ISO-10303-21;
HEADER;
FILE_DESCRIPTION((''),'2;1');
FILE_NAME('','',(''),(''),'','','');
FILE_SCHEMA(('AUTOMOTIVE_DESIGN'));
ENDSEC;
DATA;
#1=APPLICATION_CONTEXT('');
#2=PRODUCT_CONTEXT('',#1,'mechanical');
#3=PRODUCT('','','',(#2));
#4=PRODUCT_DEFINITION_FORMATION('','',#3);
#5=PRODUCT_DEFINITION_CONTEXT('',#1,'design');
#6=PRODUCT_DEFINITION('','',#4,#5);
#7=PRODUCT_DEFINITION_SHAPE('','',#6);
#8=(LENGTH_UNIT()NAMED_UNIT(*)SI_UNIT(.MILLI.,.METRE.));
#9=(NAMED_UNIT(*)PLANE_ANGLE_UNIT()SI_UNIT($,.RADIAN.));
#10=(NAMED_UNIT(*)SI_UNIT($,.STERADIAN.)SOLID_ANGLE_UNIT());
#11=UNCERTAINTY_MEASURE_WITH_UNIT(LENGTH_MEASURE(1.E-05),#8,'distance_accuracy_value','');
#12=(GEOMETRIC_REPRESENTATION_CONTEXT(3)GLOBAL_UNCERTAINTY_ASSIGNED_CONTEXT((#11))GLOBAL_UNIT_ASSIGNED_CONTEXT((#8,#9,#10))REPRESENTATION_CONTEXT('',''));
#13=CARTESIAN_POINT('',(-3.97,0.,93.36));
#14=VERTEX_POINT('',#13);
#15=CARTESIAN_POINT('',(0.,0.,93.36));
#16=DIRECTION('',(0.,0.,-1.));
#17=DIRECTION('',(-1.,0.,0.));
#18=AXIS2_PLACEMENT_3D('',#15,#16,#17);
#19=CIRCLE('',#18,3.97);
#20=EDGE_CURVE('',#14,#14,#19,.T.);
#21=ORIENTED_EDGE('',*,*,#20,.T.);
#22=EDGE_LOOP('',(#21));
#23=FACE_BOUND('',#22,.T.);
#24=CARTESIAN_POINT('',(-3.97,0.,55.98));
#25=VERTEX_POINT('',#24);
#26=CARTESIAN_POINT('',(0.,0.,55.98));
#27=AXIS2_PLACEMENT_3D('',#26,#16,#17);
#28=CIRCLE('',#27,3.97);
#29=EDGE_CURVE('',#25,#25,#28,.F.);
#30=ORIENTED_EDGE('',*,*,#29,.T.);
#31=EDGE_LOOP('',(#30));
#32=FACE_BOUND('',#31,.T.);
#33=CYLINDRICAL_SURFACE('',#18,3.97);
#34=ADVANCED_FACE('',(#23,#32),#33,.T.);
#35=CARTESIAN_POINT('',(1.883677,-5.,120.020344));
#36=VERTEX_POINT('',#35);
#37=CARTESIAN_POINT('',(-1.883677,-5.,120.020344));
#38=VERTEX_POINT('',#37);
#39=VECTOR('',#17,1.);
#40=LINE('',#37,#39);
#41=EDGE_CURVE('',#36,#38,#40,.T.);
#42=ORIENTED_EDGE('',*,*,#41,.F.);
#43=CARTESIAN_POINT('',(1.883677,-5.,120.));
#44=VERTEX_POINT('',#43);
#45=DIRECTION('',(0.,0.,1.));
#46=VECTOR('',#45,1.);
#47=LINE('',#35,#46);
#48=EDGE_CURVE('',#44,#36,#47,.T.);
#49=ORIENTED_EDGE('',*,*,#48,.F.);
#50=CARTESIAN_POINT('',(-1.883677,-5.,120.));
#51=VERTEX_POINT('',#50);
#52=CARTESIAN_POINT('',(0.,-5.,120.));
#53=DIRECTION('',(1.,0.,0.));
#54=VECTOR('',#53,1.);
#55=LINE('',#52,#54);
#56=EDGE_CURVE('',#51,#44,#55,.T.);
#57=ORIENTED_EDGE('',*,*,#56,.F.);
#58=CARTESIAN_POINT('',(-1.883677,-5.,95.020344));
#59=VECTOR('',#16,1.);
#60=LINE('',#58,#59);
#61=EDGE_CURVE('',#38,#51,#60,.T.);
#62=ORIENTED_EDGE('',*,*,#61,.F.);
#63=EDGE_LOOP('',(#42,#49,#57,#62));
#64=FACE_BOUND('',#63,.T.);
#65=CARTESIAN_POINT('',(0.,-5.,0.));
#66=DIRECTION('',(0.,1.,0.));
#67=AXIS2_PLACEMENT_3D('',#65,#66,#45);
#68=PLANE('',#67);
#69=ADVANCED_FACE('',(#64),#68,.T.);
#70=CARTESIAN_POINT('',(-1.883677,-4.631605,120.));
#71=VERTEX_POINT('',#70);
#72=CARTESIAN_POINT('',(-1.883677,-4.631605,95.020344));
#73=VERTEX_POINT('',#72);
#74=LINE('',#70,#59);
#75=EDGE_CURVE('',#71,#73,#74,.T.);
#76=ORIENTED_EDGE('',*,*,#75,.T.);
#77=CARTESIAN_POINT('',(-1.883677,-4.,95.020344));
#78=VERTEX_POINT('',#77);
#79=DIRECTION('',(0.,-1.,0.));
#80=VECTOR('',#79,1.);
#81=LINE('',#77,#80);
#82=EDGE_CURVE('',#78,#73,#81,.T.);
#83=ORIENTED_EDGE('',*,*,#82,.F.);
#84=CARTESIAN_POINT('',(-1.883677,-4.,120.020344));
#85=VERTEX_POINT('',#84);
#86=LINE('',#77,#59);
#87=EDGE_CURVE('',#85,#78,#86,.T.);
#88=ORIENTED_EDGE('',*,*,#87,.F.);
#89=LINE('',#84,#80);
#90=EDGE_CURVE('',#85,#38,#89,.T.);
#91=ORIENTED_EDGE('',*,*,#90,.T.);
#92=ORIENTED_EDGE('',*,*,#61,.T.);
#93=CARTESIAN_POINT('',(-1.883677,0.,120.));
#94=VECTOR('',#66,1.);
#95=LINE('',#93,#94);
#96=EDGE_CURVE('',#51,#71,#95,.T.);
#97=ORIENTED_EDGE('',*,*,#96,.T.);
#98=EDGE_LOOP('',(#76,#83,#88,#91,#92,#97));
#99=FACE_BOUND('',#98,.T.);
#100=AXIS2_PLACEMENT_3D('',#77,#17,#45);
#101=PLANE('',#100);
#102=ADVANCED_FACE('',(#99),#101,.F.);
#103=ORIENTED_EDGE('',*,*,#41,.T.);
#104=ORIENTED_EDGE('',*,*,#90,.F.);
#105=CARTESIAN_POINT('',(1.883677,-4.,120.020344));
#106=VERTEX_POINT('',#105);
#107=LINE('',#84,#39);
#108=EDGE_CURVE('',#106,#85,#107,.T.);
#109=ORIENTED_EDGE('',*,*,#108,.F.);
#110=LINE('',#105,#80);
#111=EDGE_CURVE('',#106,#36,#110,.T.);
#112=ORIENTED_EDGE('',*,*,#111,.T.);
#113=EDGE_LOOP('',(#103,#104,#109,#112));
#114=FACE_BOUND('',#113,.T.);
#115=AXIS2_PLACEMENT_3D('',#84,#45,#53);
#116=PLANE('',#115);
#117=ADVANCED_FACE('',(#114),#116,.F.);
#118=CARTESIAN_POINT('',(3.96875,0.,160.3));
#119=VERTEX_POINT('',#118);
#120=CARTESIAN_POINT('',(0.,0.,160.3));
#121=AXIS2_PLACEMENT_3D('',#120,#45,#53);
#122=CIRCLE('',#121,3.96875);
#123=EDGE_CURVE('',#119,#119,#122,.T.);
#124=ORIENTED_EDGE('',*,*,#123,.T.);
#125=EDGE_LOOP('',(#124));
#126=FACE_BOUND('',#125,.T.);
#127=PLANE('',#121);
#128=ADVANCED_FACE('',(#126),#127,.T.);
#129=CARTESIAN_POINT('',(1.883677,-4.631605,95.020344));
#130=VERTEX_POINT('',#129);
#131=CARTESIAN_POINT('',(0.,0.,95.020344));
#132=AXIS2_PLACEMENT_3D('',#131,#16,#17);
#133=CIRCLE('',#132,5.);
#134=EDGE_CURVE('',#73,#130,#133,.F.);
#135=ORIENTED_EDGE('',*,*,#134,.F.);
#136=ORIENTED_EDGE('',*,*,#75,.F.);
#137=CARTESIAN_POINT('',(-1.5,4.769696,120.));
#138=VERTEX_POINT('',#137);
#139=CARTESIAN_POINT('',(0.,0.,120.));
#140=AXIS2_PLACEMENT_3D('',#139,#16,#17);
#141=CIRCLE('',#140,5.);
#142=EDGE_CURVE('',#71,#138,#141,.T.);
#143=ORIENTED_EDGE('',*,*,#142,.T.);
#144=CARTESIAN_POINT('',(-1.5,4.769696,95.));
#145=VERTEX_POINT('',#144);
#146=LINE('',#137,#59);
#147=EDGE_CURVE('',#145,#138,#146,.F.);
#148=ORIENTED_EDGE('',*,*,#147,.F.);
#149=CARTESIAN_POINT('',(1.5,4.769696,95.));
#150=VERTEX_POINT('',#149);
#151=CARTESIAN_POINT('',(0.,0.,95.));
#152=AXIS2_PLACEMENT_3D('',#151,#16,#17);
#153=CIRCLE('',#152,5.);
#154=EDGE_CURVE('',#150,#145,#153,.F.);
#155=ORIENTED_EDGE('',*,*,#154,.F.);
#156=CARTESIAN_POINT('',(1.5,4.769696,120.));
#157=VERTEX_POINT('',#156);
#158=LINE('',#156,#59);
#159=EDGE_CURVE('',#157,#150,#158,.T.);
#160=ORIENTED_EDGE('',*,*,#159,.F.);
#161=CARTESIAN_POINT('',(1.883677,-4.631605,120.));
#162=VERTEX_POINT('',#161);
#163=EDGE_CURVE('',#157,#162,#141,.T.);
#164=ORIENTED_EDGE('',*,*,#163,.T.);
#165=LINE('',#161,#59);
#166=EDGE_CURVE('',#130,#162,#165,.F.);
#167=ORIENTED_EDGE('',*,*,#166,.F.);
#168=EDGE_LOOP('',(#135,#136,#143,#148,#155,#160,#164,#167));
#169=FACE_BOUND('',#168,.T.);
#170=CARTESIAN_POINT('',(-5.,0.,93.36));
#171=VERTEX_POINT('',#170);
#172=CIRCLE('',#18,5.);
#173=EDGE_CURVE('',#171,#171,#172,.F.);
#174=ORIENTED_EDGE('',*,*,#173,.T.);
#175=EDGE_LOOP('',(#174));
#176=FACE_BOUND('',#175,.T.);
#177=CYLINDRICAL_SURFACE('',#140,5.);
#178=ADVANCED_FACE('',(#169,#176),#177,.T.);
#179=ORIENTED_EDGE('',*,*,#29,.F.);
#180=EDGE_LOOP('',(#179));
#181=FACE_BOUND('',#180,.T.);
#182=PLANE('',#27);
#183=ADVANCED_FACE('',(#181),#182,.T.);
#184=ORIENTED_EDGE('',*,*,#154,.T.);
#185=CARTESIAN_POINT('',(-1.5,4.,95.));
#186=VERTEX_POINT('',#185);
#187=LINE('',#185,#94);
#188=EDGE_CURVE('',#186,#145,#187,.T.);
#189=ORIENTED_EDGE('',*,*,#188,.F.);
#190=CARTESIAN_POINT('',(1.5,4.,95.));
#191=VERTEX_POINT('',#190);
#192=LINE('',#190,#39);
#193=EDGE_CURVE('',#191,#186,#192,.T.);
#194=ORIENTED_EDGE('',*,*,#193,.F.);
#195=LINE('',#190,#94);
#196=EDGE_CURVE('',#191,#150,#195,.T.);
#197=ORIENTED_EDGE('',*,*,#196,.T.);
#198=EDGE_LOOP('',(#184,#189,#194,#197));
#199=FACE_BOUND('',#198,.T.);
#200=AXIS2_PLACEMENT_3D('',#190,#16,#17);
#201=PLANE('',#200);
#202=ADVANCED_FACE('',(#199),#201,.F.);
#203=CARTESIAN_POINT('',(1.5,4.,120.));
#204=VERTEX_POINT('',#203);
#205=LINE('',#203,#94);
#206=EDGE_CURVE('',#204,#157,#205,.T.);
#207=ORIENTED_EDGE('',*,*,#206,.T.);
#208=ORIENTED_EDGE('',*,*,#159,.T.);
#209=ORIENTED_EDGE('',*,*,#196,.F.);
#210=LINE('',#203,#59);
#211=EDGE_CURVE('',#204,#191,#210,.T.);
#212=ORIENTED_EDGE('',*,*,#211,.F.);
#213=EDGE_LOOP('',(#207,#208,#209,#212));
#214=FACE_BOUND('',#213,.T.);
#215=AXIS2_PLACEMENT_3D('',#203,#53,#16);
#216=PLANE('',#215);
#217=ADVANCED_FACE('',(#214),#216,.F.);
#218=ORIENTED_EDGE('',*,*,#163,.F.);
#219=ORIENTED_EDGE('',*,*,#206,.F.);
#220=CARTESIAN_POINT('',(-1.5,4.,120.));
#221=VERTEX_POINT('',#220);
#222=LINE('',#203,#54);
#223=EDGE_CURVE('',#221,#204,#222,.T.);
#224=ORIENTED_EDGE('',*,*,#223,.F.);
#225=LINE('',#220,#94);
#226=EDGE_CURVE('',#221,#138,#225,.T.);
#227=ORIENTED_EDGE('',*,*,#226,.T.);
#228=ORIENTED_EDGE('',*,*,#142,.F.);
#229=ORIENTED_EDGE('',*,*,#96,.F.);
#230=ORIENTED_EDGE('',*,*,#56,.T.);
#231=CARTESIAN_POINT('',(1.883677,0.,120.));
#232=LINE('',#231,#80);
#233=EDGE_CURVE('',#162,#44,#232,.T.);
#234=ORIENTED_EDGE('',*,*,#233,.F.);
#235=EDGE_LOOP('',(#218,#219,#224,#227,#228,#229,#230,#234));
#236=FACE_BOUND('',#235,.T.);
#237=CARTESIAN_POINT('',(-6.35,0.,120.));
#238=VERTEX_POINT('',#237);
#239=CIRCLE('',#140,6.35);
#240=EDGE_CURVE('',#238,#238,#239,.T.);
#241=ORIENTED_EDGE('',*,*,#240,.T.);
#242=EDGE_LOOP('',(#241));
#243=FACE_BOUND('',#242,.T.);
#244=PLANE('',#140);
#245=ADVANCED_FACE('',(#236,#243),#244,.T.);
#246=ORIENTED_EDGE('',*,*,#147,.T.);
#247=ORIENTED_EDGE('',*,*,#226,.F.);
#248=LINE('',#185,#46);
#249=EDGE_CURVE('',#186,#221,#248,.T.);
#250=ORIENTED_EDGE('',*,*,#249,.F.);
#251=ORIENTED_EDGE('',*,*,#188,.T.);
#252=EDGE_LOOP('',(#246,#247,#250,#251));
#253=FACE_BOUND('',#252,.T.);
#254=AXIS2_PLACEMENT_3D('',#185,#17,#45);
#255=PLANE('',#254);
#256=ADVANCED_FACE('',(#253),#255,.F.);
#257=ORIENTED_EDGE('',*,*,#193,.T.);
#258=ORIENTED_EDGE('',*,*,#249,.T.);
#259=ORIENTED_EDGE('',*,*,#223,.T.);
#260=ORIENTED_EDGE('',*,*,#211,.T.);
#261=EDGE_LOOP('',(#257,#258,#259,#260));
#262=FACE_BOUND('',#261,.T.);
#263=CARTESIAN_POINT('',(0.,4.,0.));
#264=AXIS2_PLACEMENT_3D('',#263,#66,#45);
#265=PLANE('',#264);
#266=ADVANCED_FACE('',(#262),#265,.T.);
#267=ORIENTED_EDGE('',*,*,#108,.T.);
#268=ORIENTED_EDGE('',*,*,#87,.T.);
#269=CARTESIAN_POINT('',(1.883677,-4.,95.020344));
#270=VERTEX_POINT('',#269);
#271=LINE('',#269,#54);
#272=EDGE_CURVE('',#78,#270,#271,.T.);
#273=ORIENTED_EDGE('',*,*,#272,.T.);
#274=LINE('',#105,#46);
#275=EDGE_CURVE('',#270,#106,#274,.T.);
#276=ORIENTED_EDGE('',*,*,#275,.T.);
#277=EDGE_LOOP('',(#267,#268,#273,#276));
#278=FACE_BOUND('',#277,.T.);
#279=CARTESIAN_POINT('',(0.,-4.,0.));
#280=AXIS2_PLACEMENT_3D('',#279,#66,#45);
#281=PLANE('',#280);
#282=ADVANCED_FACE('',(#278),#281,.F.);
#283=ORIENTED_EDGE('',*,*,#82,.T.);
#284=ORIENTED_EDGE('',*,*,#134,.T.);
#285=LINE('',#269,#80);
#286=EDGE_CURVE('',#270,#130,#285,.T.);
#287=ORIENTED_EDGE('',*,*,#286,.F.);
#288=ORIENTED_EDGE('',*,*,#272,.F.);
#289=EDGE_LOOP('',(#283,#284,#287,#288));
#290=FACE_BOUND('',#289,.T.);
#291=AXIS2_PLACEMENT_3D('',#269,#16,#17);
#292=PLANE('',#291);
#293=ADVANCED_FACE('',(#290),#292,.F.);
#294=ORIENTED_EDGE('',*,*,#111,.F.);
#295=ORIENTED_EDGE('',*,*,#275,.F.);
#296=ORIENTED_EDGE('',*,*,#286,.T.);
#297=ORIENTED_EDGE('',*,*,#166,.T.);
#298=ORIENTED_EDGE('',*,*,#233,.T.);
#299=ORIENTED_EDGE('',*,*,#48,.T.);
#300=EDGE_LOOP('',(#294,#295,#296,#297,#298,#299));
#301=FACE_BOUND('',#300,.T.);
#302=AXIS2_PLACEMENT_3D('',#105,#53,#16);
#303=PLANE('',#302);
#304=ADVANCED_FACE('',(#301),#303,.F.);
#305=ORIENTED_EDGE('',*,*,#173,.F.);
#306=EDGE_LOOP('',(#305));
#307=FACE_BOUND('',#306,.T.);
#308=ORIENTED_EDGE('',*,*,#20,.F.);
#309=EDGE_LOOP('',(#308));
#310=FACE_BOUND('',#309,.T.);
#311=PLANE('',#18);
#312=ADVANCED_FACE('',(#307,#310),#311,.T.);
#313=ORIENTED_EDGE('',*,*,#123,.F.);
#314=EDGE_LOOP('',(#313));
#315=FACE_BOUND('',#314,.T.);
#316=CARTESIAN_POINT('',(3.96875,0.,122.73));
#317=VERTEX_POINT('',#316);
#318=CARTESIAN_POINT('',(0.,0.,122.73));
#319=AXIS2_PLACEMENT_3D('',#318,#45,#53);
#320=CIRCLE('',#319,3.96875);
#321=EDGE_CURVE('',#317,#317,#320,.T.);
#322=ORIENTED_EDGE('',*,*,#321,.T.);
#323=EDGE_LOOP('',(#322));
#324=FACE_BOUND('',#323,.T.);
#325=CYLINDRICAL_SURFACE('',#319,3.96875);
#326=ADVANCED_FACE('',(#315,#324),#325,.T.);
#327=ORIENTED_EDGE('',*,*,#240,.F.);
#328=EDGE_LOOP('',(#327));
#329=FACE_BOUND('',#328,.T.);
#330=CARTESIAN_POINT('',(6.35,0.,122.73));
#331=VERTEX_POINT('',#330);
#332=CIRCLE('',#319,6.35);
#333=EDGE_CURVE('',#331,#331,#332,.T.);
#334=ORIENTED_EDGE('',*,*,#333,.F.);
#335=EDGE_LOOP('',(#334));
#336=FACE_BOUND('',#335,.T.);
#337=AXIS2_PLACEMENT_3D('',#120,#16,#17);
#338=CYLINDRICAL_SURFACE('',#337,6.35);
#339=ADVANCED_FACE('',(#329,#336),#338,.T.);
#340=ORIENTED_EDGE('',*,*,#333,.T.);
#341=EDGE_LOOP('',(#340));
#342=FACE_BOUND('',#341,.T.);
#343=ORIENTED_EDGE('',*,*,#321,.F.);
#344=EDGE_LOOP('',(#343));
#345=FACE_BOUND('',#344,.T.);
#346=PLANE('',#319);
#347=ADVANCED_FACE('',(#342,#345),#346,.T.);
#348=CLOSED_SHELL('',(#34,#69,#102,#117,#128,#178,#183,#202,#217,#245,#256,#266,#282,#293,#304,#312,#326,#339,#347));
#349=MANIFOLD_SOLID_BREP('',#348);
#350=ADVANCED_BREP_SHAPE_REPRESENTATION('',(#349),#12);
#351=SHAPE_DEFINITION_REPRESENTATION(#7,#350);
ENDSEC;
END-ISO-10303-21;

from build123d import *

# Parameters (mm, degrees)
SKETCH1_R           = 6.35
BOSS_EXTRUDE1_DEPTH = 160.3
SKETCH3_OUTSIDE_W   = 46.96
SKETCH3_OUTSIDE_H   = 46.96
SKETCH3_OUTSIDE_R   = 5
CUT_EXTRUDE2_DEPTH  = 120
SKETCH4_OUTSIDE_W   = 46.96
SKETCH4_OUTSIDE_H   = 46.96
SKETCH4_OUTSIDE_R   = 3.96875
CUT_EXTRUDE3_DEPTH  = 37.57
SKETCH5_OUTSIDE_W   = 46.96
SKETCH5_OUTSIDE_H   = 46.96
SKETCH5_OUTSIDE_R   = 3.97
CUT_EXTRUDE4_DEPTH  = 93.36
SKETCH9_W           = 3
SKETCH9_H           = 25
CUT_EXTRUDE6_DEPTH  = 1
SKETCH11_W          = 3.767354336
SKETCH11_H          = 25
CUT_EXTRUDE7_DEPTH  = 1
SKETCH12_R          = 15.914705016
CUT_EXTRUDE8_DEPTH  = 55.98


with BuildPart() as part:
    # Sketch1 → Boss-Extrude1 (new body)
    with BuildSketch(Plane.XY):
        Circle(SKETCH1_R)
    extrude(amount=BOSS_EXTRUDE1_DEPTH)

    # Sketch3 outside → Cut-Extrude2 (cut)
    with BuildSketch(Plane(origin=(0, 0, 0), x_dir=(-1, 0, 0), z_dir=(0, 0, -1))):
        Rectangle(SKETCH3_OUTSIDE_W, SKETCH3_OUTSIDE_H)
        Circle(SKETCH3_OUTSIDE_R, mode=Mode.SUBTRACT)
    extrude(amount=-CUT_EXTRUDE2_DEPTH, mode=Mode.SUBTRACT)

    # Sketch4 outside → Cut-Extrude3 (cut)
    with BuildSketch(Plane.XY.offset(160.3)):
        Rectangle(SKETCH4_OUTSIDE_W, SKETCH4_OUTSIDE_H)
        Circle(SKETCH4_OUTSIDE_R, mode=Mode.SUBTRACT)
    extrude(amount=-CUT_EXTRUDE3_DEPTH, mode=Mode.SUBTRACT)

    # Sketch5 outside → Cut-Extrude4 (cut)
    with BuildSketch(Plane(origin=(0, 0, 0), x_dir=(-1, 0, 0), z_dir=(0, 0, -1))):
        Rectangle(SKETCH5_OUTSIDE_W, SKETCH5_OUTSIDE_H)
        Circle(SKETCH5_OUTSIDE_R, mode=Mode.SUBTRACT)
    extrude(amount=-CUT_EXTRUDE4_DEPTH, mode=Mode.SUBTRACT)

    # Sketch9 → Cut-Extrude6 (cut)
    with BuildSketch(Plane(origin=(0, 5, 0), x_dir=(1, 0, 0), z_dir=(0, 1, 0))):
        with Locations((0, -107.5)):
            Rectangle(SKETCH9_W, SKETCH9_H)
    extrude(amount=-CUT_EXTRUDE6_DEPTH, mode=Mode.SUBTRACT)

    # Sketch11 → Cut-Extrude7 (cut)
    with BuildSketch(Plane(origin=(0, -5, 0), x_dir=(-1, 0, 0), z_dir=(0, -1, 0))):
        with Locations((0, -107.520343873)):
            Rectangle(SKETCH11_W, SKETCH11_H)
    extrude(amount=-CUT_EXTRUDE7_DEPTH, mode=Mode.SUBTRACT)

    # Sketch12 → Cut-Extrude8 (cut)
    with BuildSketch(Plane(origin=(0, 0, 0), x_dir=(-1, 0, 0), z_dir=(0, 0, -1))):
        Circle(SKETCH12_R)
    extrude(amount=-CUT_EXTRUDE8_DEPTH, mode=Mode.SUBTRACT)


solid = part.part
